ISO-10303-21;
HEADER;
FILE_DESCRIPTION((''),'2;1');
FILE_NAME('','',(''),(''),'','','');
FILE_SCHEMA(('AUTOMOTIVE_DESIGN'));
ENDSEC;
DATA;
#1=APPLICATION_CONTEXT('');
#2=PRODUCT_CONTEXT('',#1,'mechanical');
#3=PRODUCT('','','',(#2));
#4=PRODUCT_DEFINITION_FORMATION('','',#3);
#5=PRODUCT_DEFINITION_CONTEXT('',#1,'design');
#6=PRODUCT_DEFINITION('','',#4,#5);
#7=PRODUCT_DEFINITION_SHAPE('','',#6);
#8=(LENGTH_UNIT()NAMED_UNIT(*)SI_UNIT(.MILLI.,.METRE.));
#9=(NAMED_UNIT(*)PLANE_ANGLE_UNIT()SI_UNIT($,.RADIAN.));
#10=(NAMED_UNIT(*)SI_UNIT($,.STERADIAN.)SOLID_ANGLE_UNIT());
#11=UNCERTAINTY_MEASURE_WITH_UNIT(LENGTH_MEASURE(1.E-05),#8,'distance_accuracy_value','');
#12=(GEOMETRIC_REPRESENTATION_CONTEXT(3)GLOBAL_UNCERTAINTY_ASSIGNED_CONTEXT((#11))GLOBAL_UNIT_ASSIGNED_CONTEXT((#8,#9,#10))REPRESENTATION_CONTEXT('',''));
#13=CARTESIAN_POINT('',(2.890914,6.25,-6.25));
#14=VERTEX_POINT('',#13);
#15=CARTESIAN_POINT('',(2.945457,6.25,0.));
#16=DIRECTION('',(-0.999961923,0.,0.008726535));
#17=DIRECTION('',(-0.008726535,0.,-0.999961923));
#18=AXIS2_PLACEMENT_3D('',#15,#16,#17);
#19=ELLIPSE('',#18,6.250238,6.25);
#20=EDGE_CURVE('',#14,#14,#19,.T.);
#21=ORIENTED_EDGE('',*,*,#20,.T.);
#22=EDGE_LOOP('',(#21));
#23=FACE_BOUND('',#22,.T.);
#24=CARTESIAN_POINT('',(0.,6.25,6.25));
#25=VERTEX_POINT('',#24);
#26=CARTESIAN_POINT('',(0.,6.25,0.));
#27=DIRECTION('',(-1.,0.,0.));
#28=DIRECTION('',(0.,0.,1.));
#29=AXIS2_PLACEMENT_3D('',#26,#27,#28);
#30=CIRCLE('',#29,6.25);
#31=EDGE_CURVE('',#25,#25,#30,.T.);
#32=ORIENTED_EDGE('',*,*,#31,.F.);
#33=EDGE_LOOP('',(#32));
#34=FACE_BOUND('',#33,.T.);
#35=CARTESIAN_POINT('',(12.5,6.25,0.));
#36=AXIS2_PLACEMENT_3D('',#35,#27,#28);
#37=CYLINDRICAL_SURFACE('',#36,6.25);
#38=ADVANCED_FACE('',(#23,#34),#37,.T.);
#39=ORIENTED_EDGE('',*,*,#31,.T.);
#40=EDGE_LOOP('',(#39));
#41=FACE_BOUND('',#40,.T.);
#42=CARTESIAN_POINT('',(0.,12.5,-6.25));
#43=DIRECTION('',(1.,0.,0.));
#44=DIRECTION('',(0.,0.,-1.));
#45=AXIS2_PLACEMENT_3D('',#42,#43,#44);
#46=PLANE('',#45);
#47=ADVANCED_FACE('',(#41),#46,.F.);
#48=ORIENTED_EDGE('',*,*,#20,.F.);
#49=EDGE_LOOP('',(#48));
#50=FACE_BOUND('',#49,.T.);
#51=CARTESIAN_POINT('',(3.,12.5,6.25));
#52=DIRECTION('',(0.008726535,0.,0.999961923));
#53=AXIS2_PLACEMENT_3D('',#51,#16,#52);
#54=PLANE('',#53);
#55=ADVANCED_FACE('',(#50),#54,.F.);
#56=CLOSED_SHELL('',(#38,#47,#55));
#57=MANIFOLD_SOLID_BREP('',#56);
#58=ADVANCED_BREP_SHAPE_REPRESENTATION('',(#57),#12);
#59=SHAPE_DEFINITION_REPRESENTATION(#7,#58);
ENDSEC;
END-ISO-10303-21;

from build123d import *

# Parameters (mm, degrees)
EXTRUDE_1_DEPTH     = 12.5
CUT_EXTRUDE_2_DEPTH = 12.5


with BuildPart() as part:
    # 草图1 → 凸台-拉伸1 (new body)
    with BuildSketch(Plane(origin=(0, 0, 0), x_dir=(1, 0, 0), z_dir=(0, 1, 0))):
        Polygon((0, 6.25), (0, -6.25), (3, -6.25), (2.890914153, 6.25), align=None)
    extrude(amount=EXTRUDE_1_DEPTH)

    # 草图5 → 切除-拉伸2 (cut)
    with BuildSketch(Plane.ZY):
        with BuildLine():
            Line((-6.25, 12.5), (-6.25, 6.25))
            ThreePointArc((-6.25, 6.25), (-4.419417382, 10.669417382), (0, 12.5))
            Line((0, 12.5), (-6.25, 12.5))
        make_face()
        with BuildLine():
            Line((-6.25, 6.25), (-6.25, 0))
            Line((-6.25, 0), (0, 0))
            ThreePointArc((0, 0), (-4.419417382, 1.830582618), (-6.25, 6.25))
        make_face()
        with BuildLine():
            ThreePointArc((6.25, 6.25), (4.419417382, 1.830582618), (0, 0))
            Line((0, 0), (6.25, 0))
            Line((6.25, 0), (6.25, 6.25))
        make_face()
        with BuildLine():
            ThreePointArc((0, 12.5), (4.419417382, 10.669417382), (6.25, 6.25))
            Line((6.25, 6.25), (6.25, 12.5))
            Line((6.25, 12.5), (0, 12.5))
        make_face()
    extrude(amount=-CUT_EXTRUDE_2_DEPTH, mode=Mode.SUBTRACT)


solid = part.part
